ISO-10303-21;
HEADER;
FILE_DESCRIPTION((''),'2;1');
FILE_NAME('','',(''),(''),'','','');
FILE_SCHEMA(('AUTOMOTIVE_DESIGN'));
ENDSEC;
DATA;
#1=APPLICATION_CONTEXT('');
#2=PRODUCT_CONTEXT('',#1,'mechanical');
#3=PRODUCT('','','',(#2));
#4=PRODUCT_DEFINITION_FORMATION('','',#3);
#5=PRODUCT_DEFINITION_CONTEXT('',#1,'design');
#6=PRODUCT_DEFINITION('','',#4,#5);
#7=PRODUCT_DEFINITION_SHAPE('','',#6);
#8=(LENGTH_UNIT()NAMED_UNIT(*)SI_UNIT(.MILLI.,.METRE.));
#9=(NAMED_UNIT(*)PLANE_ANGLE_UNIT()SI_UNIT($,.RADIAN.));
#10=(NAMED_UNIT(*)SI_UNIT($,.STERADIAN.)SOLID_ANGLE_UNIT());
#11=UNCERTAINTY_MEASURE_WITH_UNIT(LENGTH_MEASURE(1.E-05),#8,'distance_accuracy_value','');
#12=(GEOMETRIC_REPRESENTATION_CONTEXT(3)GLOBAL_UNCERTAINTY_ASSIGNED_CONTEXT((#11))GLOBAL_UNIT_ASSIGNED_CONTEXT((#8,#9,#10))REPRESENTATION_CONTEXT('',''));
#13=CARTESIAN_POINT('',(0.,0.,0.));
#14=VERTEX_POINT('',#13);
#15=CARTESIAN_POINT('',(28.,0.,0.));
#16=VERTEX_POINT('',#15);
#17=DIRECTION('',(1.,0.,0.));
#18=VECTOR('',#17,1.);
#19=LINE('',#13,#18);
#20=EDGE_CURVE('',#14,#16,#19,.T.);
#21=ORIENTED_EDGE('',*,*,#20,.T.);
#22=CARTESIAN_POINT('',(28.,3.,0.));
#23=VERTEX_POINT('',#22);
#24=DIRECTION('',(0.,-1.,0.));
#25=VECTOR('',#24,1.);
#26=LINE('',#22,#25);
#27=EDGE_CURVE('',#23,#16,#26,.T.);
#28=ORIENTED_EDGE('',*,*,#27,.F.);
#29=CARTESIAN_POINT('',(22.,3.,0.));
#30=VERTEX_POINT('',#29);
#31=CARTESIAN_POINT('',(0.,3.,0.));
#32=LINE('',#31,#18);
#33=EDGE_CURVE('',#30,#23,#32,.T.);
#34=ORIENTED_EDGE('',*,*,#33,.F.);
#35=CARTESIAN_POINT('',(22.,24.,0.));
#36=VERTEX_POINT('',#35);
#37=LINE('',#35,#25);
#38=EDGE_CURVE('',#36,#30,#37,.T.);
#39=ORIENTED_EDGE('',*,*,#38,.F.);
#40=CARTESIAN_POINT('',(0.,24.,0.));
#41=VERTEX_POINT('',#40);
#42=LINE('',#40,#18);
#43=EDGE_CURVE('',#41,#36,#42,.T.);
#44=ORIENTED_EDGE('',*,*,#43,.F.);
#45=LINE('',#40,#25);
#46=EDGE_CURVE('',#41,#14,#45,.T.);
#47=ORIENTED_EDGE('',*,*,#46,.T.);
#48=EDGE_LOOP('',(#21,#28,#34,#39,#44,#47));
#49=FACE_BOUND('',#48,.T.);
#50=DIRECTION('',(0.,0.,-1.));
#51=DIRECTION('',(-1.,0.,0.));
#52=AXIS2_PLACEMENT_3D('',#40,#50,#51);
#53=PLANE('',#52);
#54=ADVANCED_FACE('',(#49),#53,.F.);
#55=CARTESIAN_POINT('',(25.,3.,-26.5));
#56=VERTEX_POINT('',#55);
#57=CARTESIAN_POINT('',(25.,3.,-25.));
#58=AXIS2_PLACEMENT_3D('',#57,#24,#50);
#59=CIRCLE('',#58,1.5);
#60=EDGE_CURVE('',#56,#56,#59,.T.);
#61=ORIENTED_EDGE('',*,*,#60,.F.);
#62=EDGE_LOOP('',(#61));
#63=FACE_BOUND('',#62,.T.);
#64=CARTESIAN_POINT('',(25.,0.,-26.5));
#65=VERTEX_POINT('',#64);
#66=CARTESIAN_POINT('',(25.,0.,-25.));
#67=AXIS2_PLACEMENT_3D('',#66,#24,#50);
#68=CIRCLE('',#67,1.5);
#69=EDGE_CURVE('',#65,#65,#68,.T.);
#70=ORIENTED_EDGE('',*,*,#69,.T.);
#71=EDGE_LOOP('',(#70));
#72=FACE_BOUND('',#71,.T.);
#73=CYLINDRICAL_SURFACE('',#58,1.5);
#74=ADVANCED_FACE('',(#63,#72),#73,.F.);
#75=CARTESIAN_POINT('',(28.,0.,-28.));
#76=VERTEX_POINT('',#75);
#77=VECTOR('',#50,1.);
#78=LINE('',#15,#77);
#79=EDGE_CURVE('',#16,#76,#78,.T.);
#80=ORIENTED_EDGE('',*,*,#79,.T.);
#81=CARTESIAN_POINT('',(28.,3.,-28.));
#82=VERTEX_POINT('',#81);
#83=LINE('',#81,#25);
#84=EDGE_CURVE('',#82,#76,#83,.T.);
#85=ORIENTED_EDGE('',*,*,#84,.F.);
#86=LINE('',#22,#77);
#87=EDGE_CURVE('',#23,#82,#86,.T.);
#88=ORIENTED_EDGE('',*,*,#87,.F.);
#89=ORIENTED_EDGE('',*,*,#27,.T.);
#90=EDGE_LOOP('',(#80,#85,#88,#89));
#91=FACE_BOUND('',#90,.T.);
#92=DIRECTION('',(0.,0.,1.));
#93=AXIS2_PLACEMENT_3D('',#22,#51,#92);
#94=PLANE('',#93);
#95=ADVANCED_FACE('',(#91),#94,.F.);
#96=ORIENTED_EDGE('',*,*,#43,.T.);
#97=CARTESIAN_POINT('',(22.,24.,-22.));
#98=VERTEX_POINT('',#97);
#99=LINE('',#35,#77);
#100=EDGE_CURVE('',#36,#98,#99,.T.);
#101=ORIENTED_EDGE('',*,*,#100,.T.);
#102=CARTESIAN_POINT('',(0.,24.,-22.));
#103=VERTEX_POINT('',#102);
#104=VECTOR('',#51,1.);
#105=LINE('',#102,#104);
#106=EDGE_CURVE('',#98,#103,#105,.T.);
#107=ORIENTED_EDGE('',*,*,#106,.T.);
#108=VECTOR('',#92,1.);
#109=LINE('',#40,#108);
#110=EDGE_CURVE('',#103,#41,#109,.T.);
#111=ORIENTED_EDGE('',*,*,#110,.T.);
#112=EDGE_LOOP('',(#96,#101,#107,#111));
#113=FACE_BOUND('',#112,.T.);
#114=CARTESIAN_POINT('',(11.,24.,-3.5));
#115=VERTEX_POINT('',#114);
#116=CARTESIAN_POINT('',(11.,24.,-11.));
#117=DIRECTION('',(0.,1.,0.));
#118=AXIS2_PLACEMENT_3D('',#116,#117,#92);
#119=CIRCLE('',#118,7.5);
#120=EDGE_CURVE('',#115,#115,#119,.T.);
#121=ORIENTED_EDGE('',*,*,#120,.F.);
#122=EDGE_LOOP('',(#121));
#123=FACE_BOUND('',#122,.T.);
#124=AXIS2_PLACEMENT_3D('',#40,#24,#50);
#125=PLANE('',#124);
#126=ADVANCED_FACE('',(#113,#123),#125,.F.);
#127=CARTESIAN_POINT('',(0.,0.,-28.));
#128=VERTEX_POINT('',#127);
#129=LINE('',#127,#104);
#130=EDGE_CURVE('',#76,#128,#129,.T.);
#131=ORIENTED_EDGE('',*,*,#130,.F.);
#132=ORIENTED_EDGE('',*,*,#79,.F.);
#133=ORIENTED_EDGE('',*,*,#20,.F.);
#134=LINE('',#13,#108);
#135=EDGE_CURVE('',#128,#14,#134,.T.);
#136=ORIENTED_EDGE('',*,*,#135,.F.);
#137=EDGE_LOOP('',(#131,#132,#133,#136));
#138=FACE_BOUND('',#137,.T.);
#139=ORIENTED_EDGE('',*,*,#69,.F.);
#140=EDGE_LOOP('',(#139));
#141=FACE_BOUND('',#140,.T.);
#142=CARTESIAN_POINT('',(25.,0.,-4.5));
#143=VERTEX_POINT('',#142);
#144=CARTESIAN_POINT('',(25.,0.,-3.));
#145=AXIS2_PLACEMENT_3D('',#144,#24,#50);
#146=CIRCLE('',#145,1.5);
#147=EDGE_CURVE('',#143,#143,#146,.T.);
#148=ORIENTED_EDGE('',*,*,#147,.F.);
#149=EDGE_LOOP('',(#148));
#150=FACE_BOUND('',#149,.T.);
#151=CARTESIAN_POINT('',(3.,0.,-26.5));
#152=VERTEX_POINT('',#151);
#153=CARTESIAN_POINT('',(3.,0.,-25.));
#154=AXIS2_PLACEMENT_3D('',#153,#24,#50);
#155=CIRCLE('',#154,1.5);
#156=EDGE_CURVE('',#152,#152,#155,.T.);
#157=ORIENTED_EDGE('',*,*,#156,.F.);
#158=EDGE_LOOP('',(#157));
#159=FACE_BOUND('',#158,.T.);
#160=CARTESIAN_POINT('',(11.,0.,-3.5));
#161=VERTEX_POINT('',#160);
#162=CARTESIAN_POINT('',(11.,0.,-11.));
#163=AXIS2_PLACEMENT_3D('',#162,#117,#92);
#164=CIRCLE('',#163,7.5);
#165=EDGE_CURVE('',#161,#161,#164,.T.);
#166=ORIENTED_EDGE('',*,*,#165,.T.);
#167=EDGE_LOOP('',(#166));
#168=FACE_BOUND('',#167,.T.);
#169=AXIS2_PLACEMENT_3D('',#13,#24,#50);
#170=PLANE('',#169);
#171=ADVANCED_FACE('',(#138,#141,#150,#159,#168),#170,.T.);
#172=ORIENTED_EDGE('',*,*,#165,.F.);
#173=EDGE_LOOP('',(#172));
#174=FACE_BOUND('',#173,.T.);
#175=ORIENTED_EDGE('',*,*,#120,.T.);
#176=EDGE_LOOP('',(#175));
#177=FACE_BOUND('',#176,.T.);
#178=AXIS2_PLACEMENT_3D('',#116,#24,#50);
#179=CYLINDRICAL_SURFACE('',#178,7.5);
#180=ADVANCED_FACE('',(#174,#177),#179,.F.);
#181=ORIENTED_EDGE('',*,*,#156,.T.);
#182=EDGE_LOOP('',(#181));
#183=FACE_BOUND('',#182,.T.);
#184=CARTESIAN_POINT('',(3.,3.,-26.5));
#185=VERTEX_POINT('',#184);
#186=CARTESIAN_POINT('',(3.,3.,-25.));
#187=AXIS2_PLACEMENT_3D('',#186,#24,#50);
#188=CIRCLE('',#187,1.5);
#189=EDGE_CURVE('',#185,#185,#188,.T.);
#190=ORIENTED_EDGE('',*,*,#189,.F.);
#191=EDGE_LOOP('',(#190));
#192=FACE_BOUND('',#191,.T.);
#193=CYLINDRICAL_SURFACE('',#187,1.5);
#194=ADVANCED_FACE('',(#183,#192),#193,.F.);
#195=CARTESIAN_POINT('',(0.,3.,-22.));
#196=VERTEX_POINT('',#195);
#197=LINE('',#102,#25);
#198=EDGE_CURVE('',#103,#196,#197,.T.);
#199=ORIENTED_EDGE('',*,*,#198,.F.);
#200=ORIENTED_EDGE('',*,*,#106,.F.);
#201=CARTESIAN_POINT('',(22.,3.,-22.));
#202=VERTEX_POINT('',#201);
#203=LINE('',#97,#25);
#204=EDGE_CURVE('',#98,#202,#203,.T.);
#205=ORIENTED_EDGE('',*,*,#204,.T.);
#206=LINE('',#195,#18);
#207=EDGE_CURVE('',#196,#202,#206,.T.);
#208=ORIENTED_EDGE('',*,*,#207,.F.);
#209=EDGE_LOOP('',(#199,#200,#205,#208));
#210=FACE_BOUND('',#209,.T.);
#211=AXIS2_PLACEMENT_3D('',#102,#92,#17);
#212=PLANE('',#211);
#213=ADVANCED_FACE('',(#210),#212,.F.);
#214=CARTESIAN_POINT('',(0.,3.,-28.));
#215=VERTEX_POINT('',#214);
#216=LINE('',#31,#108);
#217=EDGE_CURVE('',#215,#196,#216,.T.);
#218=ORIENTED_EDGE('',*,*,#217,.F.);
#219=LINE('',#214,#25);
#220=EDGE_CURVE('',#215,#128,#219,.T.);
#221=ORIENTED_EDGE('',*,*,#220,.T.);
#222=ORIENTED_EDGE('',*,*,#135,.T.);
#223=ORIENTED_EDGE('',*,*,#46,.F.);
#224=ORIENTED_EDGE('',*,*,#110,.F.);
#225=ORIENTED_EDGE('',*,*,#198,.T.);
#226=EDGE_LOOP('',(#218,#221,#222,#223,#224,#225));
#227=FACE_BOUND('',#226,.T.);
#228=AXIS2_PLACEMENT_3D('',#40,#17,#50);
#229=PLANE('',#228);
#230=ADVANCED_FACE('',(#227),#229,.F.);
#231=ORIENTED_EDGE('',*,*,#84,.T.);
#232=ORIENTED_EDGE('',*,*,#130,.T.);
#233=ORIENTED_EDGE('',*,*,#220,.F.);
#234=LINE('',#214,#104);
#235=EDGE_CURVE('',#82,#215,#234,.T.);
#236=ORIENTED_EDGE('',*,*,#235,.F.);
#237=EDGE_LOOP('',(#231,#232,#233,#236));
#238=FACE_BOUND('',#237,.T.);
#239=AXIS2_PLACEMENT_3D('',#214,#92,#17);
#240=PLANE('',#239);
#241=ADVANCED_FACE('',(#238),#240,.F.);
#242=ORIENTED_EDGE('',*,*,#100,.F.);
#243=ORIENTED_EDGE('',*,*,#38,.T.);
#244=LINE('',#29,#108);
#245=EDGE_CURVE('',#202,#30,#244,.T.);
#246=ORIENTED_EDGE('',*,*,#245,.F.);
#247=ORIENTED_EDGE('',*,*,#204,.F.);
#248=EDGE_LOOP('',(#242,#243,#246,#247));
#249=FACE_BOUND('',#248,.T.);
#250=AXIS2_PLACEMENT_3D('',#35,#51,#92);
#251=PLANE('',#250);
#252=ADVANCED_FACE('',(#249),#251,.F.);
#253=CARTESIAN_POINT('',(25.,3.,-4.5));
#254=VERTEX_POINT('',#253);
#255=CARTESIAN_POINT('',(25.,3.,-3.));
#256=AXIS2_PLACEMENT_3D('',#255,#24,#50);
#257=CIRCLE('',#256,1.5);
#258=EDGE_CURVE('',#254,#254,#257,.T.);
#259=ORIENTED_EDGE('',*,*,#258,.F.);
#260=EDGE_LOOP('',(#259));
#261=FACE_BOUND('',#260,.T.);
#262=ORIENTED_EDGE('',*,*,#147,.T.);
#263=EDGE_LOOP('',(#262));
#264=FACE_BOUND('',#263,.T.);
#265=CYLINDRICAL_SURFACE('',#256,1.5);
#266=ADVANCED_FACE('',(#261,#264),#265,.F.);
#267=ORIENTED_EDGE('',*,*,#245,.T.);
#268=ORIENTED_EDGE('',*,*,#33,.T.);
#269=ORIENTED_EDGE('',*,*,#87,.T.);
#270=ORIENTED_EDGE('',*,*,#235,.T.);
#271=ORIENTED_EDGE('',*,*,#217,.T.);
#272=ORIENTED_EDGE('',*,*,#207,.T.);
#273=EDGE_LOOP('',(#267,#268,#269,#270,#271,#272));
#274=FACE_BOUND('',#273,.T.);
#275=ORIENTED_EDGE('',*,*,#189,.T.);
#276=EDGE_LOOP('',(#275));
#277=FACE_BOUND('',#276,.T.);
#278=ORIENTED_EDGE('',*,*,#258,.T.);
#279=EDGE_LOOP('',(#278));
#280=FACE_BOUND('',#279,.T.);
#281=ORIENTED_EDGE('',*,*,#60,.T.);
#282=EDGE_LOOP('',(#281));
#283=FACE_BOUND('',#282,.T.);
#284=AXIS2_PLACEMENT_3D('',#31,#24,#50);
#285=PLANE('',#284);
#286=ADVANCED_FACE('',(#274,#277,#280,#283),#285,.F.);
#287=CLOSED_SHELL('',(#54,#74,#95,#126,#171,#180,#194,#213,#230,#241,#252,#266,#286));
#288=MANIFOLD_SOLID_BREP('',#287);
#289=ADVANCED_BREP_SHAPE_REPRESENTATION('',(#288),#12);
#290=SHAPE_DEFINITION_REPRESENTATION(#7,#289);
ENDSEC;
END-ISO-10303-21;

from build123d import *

# Parameters (mm, degrees)
SKETCH1_W           = 22
SKETCH1_H           = 22
SKETCH1_R           = 7.5
BOSS_EXTRUDE1_DEPTH = 24
SKETCH2_R           = 1.5
BOSS_EXTRUDE2_DEPTH = 3


with BuildPart() as part:
    # Sketch1 → Boss-Extrude1 (new body)
    with BuildSketch(Plane(origin=(0, 0, 0), x_dir=(1, 0, 0), z_dir=(0, 1, 0))):
        with Locations((11, 11)):
            Rectangle(SKETCH1_W, SKETCH1_H)
        with Locations(Location((11, 11, 0), (0, 0, 270))):
            Circle(SKETCH1_R, mode=Mode.SUBTRACT)
    extrude(amount=BOSS_EXTRUDE1_DEPTH)

    # Sketch2 → Boss-Extrude2 (add)
    with BuildSketch(Plane.XZ):
        Polygon((0, -22), (22, -22), (22, 0), (28, 0), (28, -28), (0, -28), align=None)
        with Locations(Location((25, -25, 0), (0, 0, 270))):
            Circle(SKETCH2_R, mode=Mode.SUBTRACT)
        with Locations(Location((25, -3, 0), (0, 0, 270))):
            Circle(SKETCH2_R, mode=Mode.SUBTRACT)
        with Locations(Location((3, -25, 0), (0, 0, 270))):
            Circle(SKETCH2_R, mode=Mode.SUBTRACT)
    extrude(amount=-BOSS_EXTRUDE2_DEPTH)


solid = part.part
